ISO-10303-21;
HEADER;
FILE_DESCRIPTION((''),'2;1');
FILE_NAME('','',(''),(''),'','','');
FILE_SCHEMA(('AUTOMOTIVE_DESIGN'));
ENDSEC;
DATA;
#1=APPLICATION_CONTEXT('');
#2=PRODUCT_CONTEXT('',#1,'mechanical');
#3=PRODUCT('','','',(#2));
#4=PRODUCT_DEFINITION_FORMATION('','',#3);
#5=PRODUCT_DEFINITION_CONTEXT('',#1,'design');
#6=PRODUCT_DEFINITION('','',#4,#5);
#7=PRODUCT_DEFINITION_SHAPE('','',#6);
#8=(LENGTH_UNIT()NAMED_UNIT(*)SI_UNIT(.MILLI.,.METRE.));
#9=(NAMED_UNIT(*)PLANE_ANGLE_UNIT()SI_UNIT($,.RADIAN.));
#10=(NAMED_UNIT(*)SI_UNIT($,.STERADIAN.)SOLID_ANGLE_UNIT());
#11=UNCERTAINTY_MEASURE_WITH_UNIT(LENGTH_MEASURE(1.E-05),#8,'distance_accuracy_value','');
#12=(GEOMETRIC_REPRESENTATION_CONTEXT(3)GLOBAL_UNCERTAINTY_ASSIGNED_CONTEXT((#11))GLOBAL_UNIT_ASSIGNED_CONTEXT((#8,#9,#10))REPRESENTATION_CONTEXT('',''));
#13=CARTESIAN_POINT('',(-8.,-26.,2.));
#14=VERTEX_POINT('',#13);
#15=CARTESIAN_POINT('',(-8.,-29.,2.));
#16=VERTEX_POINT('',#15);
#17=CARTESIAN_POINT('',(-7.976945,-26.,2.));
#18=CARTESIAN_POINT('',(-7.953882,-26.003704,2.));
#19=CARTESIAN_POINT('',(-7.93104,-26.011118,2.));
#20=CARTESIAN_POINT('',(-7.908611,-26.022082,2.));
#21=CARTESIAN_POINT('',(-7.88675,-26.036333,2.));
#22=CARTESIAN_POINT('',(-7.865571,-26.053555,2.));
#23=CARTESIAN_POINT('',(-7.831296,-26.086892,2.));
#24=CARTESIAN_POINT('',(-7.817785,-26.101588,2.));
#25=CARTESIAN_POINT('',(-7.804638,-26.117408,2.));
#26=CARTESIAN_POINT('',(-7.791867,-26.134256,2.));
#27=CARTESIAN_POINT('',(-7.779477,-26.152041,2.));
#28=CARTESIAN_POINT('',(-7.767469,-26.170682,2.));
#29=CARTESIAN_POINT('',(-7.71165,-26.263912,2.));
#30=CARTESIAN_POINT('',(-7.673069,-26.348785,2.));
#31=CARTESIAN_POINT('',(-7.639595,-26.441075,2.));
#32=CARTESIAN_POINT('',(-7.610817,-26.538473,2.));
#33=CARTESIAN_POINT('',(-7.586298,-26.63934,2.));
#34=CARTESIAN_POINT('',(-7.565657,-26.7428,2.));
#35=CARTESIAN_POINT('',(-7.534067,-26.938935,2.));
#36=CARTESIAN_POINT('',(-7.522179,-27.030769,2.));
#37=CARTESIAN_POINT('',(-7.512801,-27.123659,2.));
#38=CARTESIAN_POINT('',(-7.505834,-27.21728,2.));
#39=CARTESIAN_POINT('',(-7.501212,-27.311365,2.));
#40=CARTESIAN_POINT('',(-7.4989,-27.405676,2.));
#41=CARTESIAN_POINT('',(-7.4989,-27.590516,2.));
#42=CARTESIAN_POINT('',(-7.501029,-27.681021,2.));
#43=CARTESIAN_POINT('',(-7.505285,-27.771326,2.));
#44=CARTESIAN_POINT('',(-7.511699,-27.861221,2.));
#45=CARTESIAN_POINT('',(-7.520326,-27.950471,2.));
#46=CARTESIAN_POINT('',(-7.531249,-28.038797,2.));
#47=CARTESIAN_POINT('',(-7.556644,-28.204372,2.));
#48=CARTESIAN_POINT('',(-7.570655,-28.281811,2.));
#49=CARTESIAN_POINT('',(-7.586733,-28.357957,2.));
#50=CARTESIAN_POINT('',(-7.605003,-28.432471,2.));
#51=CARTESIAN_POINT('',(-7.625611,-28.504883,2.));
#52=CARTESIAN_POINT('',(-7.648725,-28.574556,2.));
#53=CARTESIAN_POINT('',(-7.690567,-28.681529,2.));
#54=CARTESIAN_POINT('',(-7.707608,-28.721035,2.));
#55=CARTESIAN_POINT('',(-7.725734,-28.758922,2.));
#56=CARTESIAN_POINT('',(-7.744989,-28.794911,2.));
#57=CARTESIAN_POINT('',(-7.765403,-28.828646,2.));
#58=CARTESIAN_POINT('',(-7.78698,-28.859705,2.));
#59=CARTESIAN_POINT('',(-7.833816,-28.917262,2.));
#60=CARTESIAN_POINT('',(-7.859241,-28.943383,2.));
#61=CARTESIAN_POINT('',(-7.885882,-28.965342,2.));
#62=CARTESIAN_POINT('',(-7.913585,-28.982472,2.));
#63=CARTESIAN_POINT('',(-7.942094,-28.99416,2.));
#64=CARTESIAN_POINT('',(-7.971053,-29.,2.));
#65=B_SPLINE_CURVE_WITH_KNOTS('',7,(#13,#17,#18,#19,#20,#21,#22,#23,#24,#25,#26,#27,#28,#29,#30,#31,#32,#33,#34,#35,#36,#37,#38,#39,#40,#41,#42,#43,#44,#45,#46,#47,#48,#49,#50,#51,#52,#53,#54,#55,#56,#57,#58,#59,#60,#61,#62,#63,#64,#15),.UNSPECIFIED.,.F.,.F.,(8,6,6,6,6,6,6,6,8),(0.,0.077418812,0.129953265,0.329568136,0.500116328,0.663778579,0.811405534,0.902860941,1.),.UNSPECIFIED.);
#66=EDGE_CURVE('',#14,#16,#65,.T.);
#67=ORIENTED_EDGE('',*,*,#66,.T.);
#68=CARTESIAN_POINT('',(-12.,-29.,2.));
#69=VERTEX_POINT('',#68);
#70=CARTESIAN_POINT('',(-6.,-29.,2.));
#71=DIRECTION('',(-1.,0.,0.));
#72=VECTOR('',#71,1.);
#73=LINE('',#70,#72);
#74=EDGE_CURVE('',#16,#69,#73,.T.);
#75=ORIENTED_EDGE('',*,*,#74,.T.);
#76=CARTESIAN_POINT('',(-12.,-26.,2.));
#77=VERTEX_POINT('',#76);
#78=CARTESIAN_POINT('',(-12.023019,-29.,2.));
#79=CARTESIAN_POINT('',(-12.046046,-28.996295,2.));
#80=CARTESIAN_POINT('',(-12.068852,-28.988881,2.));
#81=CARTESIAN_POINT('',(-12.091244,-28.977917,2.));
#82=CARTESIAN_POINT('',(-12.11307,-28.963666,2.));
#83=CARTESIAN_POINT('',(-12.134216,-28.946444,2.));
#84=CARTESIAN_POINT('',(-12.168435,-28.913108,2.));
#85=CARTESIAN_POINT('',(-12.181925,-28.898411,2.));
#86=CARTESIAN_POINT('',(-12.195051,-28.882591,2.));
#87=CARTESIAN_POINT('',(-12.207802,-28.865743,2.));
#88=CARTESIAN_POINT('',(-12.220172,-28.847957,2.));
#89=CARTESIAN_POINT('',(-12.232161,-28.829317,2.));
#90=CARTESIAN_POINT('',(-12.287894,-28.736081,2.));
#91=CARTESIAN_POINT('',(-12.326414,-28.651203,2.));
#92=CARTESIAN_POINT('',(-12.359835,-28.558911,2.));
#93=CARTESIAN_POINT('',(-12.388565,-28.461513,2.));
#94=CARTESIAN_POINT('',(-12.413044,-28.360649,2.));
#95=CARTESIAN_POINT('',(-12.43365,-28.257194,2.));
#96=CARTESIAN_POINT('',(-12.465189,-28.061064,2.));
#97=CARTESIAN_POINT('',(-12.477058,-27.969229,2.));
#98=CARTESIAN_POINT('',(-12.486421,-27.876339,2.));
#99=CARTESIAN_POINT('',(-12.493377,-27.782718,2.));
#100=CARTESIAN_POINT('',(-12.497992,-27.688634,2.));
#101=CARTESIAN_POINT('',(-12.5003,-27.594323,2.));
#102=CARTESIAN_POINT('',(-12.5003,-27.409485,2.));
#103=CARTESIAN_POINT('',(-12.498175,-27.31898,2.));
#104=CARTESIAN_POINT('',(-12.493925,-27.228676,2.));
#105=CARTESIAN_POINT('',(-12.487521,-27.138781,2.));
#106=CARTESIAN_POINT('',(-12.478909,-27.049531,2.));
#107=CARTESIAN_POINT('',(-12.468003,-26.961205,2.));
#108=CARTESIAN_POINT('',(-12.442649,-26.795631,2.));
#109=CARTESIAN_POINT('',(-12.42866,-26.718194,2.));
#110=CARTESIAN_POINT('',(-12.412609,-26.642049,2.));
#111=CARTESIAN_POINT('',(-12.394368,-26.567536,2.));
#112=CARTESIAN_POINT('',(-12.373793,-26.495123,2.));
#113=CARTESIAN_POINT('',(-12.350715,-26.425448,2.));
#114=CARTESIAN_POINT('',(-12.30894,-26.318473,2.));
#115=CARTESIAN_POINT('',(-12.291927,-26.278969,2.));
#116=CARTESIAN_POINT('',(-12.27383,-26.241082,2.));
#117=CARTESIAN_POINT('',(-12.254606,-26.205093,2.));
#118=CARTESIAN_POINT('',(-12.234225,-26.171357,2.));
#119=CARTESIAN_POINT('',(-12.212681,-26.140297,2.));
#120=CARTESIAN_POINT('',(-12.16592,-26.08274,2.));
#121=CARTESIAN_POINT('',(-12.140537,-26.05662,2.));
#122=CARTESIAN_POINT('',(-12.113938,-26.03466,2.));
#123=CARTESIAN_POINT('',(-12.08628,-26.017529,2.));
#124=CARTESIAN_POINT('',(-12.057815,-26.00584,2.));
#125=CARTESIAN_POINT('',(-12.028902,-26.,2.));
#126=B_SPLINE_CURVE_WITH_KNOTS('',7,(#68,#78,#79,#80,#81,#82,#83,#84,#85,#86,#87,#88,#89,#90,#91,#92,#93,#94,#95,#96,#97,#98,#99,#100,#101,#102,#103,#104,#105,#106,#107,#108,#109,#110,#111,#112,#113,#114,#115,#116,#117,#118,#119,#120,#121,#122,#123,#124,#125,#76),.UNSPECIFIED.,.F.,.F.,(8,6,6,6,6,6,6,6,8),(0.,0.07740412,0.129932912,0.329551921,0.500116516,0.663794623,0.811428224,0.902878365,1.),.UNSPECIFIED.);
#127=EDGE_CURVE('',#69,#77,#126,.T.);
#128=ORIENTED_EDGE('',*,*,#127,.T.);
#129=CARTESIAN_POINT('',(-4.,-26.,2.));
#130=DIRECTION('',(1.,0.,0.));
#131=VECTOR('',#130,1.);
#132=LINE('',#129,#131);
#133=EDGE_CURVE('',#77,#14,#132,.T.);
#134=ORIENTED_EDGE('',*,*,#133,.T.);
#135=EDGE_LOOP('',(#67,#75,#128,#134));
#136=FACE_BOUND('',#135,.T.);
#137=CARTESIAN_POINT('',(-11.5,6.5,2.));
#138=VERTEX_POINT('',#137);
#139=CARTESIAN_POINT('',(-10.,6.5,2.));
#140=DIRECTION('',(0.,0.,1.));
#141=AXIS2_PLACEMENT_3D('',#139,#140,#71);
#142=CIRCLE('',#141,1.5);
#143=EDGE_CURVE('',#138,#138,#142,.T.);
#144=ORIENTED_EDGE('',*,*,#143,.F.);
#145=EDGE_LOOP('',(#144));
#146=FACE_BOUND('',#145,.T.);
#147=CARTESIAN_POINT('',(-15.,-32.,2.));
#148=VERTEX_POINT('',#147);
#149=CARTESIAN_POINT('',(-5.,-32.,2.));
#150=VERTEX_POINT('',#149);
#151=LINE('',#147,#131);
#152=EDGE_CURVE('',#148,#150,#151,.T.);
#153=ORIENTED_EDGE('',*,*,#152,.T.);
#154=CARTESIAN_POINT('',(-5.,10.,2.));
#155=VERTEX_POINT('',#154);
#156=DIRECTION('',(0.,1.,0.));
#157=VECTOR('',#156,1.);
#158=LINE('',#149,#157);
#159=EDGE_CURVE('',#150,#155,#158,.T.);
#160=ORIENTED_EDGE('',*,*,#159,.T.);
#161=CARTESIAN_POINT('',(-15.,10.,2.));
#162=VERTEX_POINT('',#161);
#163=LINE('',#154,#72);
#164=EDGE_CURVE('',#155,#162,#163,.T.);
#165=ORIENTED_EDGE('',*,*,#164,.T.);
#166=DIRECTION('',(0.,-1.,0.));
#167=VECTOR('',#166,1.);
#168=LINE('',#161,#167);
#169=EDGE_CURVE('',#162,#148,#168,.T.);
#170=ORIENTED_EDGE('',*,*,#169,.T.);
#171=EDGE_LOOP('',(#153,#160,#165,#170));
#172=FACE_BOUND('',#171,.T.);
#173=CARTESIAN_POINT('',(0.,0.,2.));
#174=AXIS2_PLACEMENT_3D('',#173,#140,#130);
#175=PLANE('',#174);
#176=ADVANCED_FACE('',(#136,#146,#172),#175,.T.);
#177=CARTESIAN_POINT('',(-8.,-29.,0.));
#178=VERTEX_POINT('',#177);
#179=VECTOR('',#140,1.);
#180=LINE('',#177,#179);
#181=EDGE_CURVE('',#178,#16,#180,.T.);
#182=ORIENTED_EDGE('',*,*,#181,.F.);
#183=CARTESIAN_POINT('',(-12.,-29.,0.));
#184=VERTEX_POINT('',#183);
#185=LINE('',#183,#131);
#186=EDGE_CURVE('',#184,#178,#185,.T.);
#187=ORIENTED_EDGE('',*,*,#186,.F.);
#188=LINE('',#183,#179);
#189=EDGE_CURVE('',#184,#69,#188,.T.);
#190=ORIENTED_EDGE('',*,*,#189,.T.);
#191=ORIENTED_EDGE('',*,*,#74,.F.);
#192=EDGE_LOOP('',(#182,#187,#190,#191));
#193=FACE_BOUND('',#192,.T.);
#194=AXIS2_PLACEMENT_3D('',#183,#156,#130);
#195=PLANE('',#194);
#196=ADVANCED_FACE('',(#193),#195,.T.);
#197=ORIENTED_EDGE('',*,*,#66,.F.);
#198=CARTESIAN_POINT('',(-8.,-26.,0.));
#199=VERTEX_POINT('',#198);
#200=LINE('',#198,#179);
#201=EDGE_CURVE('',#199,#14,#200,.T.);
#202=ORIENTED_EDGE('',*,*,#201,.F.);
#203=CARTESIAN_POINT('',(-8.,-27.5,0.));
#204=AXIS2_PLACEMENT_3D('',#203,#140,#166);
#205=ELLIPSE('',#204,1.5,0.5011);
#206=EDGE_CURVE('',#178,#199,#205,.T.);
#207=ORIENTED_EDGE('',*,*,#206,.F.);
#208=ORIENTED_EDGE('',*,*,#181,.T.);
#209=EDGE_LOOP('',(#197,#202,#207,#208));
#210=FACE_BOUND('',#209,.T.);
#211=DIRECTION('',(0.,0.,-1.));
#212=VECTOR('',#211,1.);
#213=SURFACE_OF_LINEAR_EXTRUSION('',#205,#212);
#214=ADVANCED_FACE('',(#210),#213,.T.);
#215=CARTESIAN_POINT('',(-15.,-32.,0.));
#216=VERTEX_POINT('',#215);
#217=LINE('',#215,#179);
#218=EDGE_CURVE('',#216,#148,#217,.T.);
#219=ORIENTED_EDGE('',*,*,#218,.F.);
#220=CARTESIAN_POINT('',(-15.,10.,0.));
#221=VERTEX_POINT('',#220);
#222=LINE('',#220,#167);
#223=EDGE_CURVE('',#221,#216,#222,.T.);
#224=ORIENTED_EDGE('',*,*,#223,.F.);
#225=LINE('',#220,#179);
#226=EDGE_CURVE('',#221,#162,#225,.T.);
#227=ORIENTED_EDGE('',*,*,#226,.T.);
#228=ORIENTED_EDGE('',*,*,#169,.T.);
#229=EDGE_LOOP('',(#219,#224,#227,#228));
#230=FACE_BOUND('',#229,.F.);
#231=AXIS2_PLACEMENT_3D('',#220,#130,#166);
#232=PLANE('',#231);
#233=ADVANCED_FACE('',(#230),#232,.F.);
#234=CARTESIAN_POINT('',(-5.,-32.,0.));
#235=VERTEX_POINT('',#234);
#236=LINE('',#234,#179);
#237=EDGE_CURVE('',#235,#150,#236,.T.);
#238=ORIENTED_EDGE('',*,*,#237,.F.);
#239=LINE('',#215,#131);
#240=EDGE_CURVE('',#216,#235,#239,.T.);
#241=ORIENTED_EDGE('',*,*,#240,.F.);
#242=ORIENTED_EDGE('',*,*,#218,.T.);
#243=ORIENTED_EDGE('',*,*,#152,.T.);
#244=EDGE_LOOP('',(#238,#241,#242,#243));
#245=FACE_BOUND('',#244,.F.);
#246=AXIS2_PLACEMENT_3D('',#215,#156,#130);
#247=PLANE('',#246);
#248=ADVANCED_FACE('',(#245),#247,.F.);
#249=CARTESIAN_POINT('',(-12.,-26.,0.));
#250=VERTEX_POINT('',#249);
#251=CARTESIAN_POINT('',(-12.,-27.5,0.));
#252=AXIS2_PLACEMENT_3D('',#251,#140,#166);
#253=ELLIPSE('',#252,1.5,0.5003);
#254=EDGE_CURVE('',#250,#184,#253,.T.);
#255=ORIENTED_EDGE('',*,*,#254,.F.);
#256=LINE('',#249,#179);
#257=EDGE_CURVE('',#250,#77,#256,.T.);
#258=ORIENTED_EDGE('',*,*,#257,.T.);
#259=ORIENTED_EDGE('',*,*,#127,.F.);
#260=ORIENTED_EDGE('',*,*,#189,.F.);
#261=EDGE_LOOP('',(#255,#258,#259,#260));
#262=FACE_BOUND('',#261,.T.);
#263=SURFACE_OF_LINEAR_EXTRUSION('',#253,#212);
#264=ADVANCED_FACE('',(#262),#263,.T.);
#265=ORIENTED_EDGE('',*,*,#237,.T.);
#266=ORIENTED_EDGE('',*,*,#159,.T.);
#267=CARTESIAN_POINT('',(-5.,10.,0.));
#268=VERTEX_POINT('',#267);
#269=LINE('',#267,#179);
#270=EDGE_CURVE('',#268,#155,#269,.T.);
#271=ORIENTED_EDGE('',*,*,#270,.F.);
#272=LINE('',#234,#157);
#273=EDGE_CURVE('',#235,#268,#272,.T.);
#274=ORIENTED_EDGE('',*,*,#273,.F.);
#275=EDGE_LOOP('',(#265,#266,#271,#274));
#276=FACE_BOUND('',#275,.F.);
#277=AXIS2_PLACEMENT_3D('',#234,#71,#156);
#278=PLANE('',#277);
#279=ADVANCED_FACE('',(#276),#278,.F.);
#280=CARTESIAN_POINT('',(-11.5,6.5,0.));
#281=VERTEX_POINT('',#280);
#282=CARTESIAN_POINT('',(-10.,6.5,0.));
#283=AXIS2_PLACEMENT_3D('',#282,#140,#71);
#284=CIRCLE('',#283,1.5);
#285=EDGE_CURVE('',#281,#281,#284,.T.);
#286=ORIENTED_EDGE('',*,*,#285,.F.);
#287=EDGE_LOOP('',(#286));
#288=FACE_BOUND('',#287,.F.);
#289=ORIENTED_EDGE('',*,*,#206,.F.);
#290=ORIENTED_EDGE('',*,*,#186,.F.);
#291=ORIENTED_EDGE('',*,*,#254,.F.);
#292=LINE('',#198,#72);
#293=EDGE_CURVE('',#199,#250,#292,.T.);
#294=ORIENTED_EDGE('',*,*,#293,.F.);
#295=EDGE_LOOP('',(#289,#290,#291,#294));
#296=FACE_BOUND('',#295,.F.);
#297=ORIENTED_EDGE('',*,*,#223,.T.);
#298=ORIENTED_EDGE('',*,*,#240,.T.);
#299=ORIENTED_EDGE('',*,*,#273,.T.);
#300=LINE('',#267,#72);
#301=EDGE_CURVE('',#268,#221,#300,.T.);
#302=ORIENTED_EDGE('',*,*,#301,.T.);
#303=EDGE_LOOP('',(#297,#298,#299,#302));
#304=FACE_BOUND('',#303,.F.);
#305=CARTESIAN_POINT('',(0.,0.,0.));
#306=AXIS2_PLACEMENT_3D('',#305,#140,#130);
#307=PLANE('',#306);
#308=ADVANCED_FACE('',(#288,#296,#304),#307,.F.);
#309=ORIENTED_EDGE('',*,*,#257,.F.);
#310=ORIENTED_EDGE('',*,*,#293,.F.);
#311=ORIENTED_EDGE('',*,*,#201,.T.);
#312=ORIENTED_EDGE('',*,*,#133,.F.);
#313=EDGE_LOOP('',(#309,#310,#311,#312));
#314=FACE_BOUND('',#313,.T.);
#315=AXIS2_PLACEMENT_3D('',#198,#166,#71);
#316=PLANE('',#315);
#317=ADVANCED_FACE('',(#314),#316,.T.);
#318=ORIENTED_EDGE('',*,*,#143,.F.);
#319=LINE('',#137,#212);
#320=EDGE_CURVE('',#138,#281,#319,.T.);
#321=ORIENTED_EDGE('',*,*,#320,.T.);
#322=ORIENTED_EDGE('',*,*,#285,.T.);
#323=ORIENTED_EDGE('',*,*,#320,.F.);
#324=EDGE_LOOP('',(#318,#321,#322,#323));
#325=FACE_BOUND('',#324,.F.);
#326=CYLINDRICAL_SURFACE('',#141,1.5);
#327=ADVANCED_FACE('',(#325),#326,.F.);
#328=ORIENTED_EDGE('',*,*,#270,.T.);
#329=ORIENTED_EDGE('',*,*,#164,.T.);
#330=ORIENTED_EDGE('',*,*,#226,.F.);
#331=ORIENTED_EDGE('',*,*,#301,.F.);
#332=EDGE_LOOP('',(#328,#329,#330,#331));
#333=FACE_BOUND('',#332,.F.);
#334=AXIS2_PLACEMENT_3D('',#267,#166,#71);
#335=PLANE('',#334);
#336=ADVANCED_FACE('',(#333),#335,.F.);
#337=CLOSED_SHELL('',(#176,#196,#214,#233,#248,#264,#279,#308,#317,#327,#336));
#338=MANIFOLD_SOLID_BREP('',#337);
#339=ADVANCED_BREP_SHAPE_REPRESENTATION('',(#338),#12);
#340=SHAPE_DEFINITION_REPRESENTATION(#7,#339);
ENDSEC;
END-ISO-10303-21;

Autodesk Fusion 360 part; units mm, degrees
sketch "Sketch1" plane through (0, 0, 0) normal (1, 0, 0) x (0, 1, 0)
  line L0 (-5, 6) -> (11.1286, 6)
  line L1 (11.1286, 6) -> (11.1286, -7.5034)
  line L2 (11.1286, -7.5034) -> (-5, -7.5034)
  line L3 (-5, -7.5034) -> (-5, 6)
sketch "Sketch2" plane through (0, 0, 0) normal (1, 0, 0) x (0, 1, 0)
  line L0 (-28, 22) -> (-16, 22)
  line L1 (-16, 22) -> (-16, 10.6443)
  line L2 (-16, 10.6443) -> (-36, 10.6443)
  line L3 (-36, 10.6443) -> (-28, 22)
sketch "Sketch3" plane through (0, 0, 0) normal (0, 0, 1) x (1, 0, 0)
  circle A0 centre (-31.5, 17.5) radius 1.5811
sketch "Sketch4" plane through (0, 0, 0) normal (0, 0, 1) x (1, 0, 0)
  line L0 (-20, 25) -> (-5, 25)
  line L1 (-5, 25) -> (-5, 5)
  line L2 (-5, 5) -> (-20, 5)
  line L3 (-20, 5) -> (-20, 25)
sketch "Sketch5" plane through (0, 0, 2.8539) normal (0, 0, 1) x (-1, 0, 0)
  line L0 (20, -5) -> (5, -5)
  line L1 (5, -5) -> (5, -25)
  line L2 (5, -25) -> (20, -25)
  line L3 (20, -25) -> (20, -5)
  line L4 (13.5, -20) -> (10.5, -20)
  arc A0 (10.5, -18.5) -> (10.5, -20) centre (10.5, -19.25) ccw
  line L5 (10.5, -18.5) -> (13.5, -18.5)
  arc A1 (13.5, -20) -> (13.5, -18.5) centre (13.5, -19.25) ccw
sketch "Sketch6" plane through (0, 0, 2.8539) normal (0, 0, 1) x (-1, 0, 0)
  line L0 (13.5, -20) -> (10.5, -20)
  arc A0 (10.5, -18.5) -> (10.5, -20) centre (10.5, -19.25) ccw
  line L1 (10.5, -18.5) -> (13.5, -18.5)
  arc A1 (13.5, -20) -> (13.5, -18.5) centre (13.5, -19.25) ccw
  line L2 (20, -5) -> (5, -5)
  line L3 (5, -5) -> (5, -25)
  line L4 (5, -25) -> (20, -25)
  line L5 (20, -25) -> (20, -5)
  circle A2 centre (12, -7) radius 1
  dimension "d11" = 2
sketch "Sketch7" plane through (0, 0, 0) normal (0, 0, 1) x (1, 0, 0)
  line L0 (-5, 10) -> (-15, 10)
  line L1 (-15, 10) -> (-15, -32)
  line L2 (-15, -32) -> (-5, -32)
  line L3 (-5, -32) -> (-5, 10)
  dimension "d14" = 42
  dimension "d15" = 10
extrude "Extrude7" add sketch "Sketch7" along normal blind 2
sketch "Sketch8" plane through (0, 0, 2) normal (0, 0, 1) x (-1, 0, 0)
  line L0 (5, 32) -> (5, -10)
  line L1 (5, -10) -> (15, -10)
  line L2 (15, -10) -> (15, 32)
  line L3 (15, 32) -> (5, 32)
  circle A0 centre (10, -6.5) radius 1.5
  dimension "d18" = 3
extrude "Extrude8" cut sketch "Sketch8" against normal blind 7 contours A0
sketch "Sketch9" plane through (0, 0, 0) normal (0, 0, 1) x (1, 0, 0)
  line L0 (-15, -32) -> (-5, -32)
  line L1 (-15, 10) -> (-15, -32)
  line L2 (-12, -29) -> (-8, -29)
  line L3 (-8, -26) -> (-12, -26)
  ellipse E0 centre (-12, -27.5) end of major axis (-12, -29) minor radius 0.5003 (-12, -26) -> (-12, -29) ccw
  ellipse E1 centre (-8, -27.5) end of major axis (-8, -29) minor radius 0.5011 (-8, -29) -> (-8, -26) ccw
extrude "Extrude9" cut sketch "Sketch9" along normal blind 3.5
sketch "Sketch10" plane through (0, 0, 0) normal (0, 0, 1) x (1, 0, 0)
  line L0 (-5, 10) -> (-15, 10)
  line L1 (15, -15) -> (35, -15)
  line L2 (15, -15) -> (15, -5)
  line L3 (15, -5) -> (35, -5)
  line L4 (35, -5) -> (35, -15)
  dimension "d27" = 20
sketch "Sketch11" plane through (0, 0, 0) normal (1, 0, 0) x (0, 1, 0)
  line L0 (-32, 0) -> (10, 0)
  line L1 (-5, 0) -> (-5, 1)
  line L2 (-15, 0) -> (-5, 0)
  line L3 (-5, 0) -> (-7.5, 3)
  line L4 (-7.5, 3) -> (-12.5, 3)
  line L5 (-12.5, 3) -> (-15, 0)
  point P0 (-15, 0)
  point P1 (-15, 0)
sketch "Sketch12" plane through (0, 0, 0) normal (1, 0, 0) x (0, 1, 0)
  circle A0 centre (-2.5, 7.5) radius 1.25
  dimension "d32" = 2.5
sketch "Sketch13" plane through (16, 0, 0) normal (1, 0, 0) x (0, 1, 0)
